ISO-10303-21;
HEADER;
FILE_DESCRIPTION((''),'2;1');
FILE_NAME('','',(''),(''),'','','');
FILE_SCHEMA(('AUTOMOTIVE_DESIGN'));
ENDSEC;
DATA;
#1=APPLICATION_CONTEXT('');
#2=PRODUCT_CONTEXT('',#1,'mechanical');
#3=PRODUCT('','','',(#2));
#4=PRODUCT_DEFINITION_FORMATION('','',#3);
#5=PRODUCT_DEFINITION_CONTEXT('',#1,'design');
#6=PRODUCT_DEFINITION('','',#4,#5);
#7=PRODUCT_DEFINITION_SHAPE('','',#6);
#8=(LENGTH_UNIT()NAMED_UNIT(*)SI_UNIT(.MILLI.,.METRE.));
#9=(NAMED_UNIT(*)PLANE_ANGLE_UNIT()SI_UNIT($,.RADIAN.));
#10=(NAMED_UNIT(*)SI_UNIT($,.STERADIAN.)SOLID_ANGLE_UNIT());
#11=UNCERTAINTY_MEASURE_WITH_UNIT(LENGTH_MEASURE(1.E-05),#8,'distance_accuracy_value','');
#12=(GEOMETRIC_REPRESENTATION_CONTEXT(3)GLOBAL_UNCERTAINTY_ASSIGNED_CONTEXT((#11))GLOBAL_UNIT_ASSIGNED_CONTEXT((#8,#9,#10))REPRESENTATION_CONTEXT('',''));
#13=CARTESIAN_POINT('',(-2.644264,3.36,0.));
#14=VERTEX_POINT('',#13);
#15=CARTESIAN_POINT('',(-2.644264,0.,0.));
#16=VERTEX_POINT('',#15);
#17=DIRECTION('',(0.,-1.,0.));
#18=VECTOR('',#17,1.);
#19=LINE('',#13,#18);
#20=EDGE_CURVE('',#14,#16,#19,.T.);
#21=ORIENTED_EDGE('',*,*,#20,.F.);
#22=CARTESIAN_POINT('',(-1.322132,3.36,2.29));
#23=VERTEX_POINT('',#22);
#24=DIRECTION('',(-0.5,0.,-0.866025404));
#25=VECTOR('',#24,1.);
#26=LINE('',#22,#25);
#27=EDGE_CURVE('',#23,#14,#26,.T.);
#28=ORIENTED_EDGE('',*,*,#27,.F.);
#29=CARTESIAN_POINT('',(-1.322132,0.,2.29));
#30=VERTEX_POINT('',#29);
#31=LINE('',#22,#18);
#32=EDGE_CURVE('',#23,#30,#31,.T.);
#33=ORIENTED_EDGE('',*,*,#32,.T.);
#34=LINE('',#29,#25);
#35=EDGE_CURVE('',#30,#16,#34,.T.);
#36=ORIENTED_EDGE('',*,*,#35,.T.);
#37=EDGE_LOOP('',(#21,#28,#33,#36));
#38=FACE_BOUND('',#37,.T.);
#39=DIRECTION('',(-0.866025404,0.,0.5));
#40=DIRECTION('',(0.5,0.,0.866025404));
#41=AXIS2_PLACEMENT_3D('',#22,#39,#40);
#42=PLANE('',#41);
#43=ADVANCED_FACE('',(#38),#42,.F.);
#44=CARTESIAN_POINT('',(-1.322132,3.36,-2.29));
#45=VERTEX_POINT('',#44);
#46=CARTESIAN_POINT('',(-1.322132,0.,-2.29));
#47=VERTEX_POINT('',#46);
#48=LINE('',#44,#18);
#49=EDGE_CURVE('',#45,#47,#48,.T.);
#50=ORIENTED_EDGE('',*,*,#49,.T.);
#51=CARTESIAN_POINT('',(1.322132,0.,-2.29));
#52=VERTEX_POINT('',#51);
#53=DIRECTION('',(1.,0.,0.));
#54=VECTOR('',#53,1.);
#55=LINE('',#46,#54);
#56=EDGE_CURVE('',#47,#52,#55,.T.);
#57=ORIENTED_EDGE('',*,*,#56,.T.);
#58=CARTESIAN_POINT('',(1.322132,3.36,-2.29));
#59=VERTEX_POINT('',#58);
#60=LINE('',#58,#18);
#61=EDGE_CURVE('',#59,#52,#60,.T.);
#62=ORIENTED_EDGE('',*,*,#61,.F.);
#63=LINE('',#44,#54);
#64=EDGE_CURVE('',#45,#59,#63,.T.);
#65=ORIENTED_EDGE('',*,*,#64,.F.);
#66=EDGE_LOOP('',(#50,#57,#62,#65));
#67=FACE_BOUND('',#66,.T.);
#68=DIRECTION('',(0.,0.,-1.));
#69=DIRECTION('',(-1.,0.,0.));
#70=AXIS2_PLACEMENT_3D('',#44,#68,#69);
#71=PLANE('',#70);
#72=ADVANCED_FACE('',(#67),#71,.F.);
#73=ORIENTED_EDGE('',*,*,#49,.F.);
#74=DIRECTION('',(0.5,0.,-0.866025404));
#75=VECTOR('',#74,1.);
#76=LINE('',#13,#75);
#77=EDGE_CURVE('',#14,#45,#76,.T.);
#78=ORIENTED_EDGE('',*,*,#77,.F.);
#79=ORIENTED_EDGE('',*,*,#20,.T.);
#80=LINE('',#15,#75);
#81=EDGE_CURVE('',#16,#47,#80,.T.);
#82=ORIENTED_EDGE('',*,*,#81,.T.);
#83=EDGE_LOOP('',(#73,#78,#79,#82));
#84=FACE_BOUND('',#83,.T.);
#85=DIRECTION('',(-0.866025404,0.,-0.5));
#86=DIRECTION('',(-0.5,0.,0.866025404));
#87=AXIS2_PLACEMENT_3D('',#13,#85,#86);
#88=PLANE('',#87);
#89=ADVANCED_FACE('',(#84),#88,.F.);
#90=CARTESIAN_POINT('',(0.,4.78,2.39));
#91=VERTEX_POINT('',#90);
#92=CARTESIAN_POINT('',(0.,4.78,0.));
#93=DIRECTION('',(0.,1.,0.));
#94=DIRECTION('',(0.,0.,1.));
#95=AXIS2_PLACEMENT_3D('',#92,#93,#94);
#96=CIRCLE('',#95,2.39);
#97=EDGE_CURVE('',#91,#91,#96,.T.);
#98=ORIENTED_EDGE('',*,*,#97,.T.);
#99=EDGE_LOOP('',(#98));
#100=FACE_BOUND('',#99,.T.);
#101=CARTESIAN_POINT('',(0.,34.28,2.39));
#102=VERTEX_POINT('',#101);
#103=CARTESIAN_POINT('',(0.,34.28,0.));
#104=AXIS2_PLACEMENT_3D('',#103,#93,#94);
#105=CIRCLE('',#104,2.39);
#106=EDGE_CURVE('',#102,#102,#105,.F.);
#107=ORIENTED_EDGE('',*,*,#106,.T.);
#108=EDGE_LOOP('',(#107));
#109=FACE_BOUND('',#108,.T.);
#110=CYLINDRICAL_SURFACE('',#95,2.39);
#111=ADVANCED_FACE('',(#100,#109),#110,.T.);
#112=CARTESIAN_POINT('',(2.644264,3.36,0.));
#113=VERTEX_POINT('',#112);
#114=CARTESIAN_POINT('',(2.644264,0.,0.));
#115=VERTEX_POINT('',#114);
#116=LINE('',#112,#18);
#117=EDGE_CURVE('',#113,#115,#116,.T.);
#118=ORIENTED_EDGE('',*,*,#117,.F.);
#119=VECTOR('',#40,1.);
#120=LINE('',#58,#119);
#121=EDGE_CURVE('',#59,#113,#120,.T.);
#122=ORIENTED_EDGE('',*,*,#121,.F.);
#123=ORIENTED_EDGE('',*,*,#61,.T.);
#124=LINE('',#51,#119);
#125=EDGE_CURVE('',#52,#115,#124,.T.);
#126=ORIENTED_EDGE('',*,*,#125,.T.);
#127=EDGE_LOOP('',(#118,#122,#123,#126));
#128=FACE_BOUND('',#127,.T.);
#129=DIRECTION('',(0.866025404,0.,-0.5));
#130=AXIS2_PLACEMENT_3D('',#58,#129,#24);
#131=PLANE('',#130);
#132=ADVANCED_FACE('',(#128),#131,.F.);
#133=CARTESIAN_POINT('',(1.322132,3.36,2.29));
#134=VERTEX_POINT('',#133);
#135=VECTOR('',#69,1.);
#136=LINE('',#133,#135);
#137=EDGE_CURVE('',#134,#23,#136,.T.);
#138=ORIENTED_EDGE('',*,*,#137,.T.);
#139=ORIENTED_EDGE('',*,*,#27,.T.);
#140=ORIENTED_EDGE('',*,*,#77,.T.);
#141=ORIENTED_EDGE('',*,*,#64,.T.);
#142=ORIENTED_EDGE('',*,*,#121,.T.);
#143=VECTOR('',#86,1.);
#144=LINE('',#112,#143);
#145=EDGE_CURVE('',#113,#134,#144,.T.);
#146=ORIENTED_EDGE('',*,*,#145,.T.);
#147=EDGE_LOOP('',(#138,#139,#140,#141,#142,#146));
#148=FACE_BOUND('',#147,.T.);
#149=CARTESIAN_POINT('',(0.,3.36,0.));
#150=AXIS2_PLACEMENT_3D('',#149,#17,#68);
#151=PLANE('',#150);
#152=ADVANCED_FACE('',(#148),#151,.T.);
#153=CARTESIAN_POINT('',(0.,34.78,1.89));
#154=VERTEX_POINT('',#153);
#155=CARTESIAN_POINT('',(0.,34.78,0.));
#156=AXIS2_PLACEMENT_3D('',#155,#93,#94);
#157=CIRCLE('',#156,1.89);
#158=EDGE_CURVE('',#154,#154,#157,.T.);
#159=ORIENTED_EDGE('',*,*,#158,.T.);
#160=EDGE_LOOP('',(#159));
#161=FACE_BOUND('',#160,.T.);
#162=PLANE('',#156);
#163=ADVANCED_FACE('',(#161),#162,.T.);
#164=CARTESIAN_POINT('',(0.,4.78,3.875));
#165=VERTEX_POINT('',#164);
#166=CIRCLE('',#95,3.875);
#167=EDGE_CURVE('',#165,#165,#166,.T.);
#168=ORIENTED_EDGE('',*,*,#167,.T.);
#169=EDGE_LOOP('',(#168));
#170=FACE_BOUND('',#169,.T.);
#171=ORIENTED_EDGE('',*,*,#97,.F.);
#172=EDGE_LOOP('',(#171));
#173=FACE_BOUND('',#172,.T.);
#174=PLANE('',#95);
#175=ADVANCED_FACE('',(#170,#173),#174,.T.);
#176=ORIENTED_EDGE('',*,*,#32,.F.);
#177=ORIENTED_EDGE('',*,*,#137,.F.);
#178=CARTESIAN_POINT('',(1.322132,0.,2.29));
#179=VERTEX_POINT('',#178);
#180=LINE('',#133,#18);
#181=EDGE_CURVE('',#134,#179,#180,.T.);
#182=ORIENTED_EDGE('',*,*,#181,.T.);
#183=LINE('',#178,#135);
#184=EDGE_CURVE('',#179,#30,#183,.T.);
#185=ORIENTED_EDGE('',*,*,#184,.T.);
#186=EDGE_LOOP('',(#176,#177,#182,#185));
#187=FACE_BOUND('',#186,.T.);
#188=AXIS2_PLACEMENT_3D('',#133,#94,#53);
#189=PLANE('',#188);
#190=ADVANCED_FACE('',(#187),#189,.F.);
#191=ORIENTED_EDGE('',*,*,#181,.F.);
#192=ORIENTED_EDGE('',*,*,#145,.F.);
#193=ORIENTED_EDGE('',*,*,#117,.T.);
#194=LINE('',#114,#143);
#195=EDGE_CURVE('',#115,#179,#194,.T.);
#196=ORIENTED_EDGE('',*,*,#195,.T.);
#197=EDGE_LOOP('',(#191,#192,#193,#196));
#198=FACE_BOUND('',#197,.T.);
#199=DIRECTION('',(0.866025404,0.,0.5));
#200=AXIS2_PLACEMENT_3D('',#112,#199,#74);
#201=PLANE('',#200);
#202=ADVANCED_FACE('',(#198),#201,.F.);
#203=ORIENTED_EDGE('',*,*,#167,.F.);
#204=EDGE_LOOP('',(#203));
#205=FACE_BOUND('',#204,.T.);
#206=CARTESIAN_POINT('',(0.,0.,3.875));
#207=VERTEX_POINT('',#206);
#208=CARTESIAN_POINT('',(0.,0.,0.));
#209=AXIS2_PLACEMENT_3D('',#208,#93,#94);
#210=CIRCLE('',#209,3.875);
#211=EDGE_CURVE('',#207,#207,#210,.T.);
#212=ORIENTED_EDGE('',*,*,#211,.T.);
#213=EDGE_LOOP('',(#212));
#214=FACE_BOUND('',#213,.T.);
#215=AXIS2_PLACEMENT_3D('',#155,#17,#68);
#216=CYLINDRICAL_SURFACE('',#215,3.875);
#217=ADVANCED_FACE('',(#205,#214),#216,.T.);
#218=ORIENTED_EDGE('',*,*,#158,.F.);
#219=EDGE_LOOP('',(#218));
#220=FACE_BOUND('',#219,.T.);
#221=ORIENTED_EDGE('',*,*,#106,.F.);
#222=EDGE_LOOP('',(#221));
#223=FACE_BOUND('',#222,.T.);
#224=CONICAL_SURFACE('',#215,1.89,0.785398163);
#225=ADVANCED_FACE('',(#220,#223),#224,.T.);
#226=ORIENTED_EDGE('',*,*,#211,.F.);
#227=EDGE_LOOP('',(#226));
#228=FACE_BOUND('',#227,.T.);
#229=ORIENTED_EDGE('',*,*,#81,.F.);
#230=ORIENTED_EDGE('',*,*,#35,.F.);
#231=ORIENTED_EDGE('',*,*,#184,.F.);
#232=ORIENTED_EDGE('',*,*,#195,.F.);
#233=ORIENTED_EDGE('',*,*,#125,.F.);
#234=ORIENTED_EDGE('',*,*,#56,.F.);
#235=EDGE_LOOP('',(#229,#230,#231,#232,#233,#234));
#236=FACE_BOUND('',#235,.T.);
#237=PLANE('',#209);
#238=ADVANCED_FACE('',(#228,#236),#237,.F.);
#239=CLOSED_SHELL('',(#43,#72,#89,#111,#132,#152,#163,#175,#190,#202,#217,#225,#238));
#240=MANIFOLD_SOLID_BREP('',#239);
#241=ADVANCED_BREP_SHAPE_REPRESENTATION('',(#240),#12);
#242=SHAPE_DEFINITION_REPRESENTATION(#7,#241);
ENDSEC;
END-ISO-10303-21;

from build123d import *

# Parameters (mm, degrees)
SKETCH1_R           = 3.875
BOSS_EXTRUDE1_DEPTH = 34.78
SKETCH2_OUTSIDE_W   = 17.044
SKETCH2_OUTSIDE_H   = 17.044
SKETCH2_OUTSIDE_R   = 2.39
CUT_EXTRUDE1_DEPTH  = 30
CHAMFER1_SIZE       = 0.5
CUT_EXTRUDE2_DEPTH  = 3.36


with BuildPart() as part:
    # Sketch1 → Boss-Extrude1 (new body)
    with BuildSketch(Plane(origin=(0, 0, 0), x_dir=(1, 0, 0), z_dir=(0, 1, 0))):
        Circle(SKETCH1_R)
    extrude(amount=BOSS_EXTRUDE1_DEPTH)

    # Sketch2 outside → Cut-Extrude1 (cut)
    with BuildSketch(Plane(origin=(0, 34.78, 0), x_dir=(1, 0, 0), z_dir=(0, 1, 0))):
        Rectangle(SKETCH2_OUTSIDE_W, SKETCH2_OUTSIDE_H)
        Circle(SKETCH2_OUTSIDE_R, mode=Mode.SUBTRACT)
    extrude(amount=-CUT_EXTRUDE1_DEPTH, mode=Mode.SUBTRACT)

    # Chamfer1
    chamfer1_edges = [part.edges().sort_by_distance(p)[0] for p in [
        (-2.39, 34.78, 0),
    ]]
    chamfer(chamfer1_edges, length=CHAMFER1_SIZE)

    # Sketch8 → Cut-Extrude2 (cut)
    with BuildSketch(Plane.XZ):
        Polygon((2.644264233, 0), (1.322132116, 2.29), (-1.322132116, 2.29), (-2.644264233, 0), (-1.322132116, -2.29), (1.322132116, -2.29), align=None)
    extrude(amount=-CUT_EXTRUDE2_DEPTH, mode=Mode.SUBTRACT)


solid = part.part
